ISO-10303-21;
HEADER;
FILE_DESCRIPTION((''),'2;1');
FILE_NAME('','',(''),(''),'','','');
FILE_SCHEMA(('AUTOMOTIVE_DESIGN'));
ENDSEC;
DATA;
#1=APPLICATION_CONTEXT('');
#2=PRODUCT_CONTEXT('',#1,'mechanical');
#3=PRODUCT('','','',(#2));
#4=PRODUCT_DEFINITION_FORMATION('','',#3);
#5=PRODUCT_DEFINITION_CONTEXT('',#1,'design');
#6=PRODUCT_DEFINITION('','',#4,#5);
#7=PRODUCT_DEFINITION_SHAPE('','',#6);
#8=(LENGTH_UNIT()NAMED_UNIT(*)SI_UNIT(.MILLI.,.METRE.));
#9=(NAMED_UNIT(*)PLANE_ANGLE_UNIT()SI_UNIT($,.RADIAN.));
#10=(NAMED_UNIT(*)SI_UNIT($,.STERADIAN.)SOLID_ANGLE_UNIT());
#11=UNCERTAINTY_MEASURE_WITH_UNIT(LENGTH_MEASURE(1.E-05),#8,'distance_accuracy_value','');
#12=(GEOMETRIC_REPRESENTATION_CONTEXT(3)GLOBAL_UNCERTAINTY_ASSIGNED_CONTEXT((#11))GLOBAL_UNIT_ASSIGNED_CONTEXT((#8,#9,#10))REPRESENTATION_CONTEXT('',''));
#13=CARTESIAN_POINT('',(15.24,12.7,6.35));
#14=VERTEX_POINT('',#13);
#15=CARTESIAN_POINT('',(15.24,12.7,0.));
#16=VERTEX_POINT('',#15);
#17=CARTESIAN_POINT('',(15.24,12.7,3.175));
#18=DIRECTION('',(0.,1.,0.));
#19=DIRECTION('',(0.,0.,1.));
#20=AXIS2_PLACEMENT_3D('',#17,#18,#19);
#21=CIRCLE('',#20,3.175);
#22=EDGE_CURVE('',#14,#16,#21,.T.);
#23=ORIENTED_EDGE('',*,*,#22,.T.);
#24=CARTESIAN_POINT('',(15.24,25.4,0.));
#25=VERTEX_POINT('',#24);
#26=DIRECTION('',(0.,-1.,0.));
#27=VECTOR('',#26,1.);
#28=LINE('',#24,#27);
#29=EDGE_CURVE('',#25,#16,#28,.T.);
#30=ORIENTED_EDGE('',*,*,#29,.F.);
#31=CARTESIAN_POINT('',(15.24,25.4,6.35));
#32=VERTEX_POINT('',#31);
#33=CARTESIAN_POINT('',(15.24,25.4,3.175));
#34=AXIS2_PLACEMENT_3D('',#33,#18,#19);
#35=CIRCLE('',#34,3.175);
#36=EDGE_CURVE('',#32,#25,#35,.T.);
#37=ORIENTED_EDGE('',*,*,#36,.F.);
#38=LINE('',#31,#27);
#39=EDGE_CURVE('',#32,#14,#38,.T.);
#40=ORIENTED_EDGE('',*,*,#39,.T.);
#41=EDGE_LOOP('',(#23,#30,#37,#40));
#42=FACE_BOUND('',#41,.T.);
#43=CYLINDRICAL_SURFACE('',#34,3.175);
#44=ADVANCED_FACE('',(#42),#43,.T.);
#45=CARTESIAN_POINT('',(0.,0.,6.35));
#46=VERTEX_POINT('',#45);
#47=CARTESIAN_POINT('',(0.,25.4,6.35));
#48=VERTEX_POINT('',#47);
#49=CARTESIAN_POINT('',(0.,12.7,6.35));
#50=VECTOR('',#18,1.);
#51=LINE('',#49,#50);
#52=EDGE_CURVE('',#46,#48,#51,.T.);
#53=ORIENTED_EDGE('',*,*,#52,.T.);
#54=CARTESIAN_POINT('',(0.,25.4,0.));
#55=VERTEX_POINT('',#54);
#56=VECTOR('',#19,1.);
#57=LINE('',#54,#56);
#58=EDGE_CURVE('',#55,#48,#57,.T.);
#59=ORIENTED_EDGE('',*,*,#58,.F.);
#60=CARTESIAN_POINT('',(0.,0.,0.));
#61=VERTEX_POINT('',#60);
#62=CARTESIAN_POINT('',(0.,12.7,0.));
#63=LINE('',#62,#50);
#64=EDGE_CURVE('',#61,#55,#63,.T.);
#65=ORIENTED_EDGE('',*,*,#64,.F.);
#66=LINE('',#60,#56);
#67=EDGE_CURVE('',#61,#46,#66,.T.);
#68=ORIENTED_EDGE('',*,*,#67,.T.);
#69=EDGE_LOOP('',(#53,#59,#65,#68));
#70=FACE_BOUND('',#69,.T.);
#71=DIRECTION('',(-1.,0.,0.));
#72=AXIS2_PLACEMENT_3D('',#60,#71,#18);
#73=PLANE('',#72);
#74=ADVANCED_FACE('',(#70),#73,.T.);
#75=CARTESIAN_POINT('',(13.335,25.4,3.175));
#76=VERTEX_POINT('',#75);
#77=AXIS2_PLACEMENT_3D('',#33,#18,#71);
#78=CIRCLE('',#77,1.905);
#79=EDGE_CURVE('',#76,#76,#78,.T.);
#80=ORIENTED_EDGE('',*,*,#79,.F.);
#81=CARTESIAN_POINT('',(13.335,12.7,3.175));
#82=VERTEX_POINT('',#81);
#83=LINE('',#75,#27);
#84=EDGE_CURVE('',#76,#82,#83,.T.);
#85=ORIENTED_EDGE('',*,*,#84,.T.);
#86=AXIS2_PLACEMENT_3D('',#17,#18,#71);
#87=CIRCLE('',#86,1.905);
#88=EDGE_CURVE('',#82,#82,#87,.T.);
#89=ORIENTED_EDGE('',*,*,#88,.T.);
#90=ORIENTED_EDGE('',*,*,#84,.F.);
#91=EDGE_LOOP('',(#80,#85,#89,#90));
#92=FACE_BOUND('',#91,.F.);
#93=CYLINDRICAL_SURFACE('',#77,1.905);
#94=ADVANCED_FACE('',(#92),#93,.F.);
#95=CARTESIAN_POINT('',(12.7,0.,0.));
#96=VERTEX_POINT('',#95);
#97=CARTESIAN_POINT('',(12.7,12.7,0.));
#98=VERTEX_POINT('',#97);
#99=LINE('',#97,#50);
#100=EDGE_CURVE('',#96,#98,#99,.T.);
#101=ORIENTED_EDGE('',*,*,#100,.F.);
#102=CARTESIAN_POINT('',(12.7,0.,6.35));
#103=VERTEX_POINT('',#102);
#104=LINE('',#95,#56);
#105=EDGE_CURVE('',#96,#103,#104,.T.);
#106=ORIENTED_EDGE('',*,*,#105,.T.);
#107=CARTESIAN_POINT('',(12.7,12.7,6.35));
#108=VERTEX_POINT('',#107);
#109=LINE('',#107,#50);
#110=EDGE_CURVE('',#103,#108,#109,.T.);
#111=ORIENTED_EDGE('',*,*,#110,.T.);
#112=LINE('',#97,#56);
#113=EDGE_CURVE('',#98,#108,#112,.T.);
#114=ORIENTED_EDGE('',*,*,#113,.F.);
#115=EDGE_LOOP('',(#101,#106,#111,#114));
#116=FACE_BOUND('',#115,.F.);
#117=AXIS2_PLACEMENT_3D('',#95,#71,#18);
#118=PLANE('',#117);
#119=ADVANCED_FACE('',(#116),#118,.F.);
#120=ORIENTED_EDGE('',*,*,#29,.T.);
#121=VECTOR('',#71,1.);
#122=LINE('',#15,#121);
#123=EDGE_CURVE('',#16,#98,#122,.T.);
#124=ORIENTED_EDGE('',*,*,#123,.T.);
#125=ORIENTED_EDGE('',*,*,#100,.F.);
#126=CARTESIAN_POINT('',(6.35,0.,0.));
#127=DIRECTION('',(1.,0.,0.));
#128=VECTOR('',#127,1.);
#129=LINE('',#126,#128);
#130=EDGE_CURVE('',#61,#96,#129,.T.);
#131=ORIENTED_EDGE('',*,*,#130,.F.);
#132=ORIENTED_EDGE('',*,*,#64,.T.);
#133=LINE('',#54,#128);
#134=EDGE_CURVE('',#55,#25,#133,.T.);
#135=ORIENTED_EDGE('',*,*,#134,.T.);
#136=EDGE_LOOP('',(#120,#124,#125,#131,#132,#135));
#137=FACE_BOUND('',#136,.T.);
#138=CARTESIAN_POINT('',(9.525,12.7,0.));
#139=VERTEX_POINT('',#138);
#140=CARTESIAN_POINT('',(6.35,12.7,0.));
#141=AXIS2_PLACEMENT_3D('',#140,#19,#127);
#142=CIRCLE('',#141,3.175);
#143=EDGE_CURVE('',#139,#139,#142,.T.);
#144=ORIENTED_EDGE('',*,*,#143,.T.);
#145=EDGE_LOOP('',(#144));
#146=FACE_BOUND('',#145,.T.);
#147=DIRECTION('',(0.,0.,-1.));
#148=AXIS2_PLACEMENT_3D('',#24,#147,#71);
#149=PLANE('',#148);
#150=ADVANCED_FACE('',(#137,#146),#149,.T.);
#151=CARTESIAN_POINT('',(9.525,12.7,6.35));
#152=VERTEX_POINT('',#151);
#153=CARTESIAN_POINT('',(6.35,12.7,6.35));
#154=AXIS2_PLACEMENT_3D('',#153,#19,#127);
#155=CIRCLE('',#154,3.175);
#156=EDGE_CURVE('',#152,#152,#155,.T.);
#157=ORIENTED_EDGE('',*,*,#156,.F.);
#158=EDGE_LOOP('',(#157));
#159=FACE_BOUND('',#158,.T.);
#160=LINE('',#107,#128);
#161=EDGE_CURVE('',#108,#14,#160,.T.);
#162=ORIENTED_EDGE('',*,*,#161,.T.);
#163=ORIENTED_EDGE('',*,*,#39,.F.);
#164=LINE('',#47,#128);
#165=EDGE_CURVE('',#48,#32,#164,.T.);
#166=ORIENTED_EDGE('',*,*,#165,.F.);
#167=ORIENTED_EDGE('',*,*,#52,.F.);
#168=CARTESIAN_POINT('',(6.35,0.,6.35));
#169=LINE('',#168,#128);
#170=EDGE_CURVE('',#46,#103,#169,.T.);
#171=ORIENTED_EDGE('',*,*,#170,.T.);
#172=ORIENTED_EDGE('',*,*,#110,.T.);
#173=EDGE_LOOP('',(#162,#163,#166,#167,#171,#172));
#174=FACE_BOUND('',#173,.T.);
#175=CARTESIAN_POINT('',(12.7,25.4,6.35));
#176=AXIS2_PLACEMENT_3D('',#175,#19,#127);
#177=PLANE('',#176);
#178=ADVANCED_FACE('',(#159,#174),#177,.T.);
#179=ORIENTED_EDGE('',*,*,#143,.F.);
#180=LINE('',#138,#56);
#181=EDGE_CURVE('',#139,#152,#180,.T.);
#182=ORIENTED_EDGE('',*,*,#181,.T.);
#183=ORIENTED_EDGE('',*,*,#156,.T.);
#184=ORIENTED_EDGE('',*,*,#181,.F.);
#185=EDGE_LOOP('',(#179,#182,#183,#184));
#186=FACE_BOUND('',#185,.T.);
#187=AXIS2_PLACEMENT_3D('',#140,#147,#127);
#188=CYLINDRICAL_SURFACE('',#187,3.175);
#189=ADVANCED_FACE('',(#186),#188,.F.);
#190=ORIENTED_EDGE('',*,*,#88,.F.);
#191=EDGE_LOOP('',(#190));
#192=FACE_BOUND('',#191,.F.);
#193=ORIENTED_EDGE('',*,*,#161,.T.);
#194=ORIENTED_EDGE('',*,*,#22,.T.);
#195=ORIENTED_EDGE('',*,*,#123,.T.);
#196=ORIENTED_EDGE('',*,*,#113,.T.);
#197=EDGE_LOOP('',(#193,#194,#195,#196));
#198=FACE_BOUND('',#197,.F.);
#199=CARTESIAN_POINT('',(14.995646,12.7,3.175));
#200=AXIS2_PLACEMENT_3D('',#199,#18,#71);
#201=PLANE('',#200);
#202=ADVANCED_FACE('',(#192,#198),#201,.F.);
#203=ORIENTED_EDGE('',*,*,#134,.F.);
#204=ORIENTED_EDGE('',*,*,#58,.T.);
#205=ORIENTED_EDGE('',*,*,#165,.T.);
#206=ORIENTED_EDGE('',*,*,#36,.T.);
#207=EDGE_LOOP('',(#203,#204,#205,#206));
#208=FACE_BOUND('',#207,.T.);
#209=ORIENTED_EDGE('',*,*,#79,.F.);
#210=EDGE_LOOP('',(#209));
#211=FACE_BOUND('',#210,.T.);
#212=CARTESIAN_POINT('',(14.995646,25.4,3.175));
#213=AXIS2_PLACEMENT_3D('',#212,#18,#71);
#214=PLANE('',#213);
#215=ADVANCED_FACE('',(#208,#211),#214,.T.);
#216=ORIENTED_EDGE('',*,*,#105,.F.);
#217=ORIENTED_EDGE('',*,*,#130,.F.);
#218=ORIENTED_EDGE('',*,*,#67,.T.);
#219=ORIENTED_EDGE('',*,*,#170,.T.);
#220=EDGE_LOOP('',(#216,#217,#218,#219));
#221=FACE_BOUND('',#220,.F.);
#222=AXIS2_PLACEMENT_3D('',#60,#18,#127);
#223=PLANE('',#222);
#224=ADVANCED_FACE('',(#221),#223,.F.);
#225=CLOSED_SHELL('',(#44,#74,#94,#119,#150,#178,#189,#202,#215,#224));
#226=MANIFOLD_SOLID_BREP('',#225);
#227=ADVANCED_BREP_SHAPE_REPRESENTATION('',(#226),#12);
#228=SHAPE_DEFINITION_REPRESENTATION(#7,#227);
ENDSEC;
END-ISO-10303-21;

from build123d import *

# Parameters (mm, degrees)
F0_W     = 12.7
F0_H     = 25.4
F0_R     = 3.175
F1_DEPTH = 6.35
F2_R     = 1.905
F3_DEPTH = 12.7


with BuildPart() as f1:
    # F0 (on Top) → F1 (new body)
    with BuildSketch(Plane.XY):
        with Locations((6.35, 12.7)):
            Rectangle(F0_W, F0_H)
        with Locations((6.35, 12.7)):
            Circle(F0_R, mode=Mode.SUBTRACT)
    extrude(amount=F1_DEPTH)

    # F2 (on face) → F3 (join)
    with BuildSketch(Plane(origin=(0, 25.4, 0), x_dir=(-1, 0, 0), z_dir=(0, 1, 0))):
        with BuildLine():
            Line((-12.7, 0), (-12.7, 6.35))
            Line((-12.7, 6.35), (-15.24, 6.35))
            ThreePointArc((-15.24, 6.35), (-18.415, 3.175), (-15.24, 0))
            Line((-15.24, 0), (-12.7, 0))
        make_face()
        with Locations((-15.24, 3.175)):
            Circle(F2_R, mode=Mode.SUBTRACT)
    extrude(amount=-F3_DEPTH)


solid = f1.part
